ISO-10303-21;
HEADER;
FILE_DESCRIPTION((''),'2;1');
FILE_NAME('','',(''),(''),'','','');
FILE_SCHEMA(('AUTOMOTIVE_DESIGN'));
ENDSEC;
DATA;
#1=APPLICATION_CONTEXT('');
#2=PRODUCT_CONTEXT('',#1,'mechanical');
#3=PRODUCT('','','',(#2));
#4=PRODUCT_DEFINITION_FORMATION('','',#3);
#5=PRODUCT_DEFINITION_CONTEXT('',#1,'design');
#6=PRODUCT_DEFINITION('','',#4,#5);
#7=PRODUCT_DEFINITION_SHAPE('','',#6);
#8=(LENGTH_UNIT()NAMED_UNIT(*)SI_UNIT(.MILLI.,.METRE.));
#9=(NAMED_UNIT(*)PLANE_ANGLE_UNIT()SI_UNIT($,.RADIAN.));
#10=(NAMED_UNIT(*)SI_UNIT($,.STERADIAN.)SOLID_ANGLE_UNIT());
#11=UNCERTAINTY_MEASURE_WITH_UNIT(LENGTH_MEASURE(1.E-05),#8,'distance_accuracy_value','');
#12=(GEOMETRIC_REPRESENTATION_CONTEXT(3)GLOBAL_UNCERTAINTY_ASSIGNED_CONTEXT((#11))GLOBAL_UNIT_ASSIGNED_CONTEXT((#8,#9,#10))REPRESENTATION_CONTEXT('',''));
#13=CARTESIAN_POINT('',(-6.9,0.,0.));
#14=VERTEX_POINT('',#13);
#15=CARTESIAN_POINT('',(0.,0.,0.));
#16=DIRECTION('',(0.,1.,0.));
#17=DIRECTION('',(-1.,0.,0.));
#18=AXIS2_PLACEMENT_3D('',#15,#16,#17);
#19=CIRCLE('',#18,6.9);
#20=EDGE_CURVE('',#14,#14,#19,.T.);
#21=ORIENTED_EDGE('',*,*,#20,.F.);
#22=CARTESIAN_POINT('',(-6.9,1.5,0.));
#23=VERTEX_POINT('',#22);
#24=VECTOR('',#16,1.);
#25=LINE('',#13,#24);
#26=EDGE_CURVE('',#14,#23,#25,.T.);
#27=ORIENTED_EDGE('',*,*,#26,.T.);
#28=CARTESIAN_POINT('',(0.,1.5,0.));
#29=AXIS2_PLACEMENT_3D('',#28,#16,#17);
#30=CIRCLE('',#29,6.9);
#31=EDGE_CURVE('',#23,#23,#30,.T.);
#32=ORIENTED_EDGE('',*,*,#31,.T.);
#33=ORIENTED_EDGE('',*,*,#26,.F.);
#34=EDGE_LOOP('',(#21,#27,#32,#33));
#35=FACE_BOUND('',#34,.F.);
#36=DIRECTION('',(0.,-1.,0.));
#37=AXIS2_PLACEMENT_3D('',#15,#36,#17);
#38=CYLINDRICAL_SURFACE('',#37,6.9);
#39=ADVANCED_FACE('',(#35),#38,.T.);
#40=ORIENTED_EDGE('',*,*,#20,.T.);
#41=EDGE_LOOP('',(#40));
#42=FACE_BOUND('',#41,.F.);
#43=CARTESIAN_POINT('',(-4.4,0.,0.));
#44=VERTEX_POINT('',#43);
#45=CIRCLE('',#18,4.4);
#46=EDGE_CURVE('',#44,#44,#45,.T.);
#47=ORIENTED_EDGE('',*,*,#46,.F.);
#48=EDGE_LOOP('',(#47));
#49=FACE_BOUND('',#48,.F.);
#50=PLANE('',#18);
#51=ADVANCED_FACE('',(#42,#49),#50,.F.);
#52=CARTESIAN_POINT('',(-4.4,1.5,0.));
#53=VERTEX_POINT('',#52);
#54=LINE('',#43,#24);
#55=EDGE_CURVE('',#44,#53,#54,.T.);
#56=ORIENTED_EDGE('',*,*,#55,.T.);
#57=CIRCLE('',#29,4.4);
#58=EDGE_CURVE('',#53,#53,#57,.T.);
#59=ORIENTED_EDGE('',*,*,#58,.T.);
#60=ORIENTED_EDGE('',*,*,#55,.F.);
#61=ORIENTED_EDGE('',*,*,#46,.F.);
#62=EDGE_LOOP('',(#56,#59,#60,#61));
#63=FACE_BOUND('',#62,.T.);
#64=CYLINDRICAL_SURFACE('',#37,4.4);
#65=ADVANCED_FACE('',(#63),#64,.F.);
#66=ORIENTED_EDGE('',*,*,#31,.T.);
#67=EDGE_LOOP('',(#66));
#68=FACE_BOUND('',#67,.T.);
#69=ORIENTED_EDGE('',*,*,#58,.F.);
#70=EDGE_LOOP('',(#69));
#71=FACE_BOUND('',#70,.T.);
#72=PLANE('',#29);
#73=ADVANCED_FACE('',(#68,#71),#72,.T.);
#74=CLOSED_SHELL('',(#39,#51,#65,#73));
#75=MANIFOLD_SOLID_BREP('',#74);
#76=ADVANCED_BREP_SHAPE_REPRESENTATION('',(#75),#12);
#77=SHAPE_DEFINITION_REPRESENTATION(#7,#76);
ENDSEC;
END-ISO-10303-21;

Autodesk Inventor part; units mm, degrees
ref_plane "YZ Plane" through (0, 0, 0) normal (1, 0, 0) x (0, 1, 0)
ref_plane "XZ Plane" through (0, 0, 0) normal (0, 1, 0) x (-1, 0, 0)
ref_plane "XY Plane" through (0, 0, 0) normal (0, 0, 1) x (1, 0, 0)
sketch "Sketch1" plane through (0, 0, 0) normal (0, 1, 0) x (-1, 0, 0)
  circle A0 centre (0, 0) radius 4.4
  circle A1 centre (0, 0) radius 6.9
  dimension "d0" = 8.8
  dimension "d1" = 13.8
extrude "Extrusion1" add sketch "Sketch1" along normal blind 1.5
properties part number "Silicone Seal washer"
